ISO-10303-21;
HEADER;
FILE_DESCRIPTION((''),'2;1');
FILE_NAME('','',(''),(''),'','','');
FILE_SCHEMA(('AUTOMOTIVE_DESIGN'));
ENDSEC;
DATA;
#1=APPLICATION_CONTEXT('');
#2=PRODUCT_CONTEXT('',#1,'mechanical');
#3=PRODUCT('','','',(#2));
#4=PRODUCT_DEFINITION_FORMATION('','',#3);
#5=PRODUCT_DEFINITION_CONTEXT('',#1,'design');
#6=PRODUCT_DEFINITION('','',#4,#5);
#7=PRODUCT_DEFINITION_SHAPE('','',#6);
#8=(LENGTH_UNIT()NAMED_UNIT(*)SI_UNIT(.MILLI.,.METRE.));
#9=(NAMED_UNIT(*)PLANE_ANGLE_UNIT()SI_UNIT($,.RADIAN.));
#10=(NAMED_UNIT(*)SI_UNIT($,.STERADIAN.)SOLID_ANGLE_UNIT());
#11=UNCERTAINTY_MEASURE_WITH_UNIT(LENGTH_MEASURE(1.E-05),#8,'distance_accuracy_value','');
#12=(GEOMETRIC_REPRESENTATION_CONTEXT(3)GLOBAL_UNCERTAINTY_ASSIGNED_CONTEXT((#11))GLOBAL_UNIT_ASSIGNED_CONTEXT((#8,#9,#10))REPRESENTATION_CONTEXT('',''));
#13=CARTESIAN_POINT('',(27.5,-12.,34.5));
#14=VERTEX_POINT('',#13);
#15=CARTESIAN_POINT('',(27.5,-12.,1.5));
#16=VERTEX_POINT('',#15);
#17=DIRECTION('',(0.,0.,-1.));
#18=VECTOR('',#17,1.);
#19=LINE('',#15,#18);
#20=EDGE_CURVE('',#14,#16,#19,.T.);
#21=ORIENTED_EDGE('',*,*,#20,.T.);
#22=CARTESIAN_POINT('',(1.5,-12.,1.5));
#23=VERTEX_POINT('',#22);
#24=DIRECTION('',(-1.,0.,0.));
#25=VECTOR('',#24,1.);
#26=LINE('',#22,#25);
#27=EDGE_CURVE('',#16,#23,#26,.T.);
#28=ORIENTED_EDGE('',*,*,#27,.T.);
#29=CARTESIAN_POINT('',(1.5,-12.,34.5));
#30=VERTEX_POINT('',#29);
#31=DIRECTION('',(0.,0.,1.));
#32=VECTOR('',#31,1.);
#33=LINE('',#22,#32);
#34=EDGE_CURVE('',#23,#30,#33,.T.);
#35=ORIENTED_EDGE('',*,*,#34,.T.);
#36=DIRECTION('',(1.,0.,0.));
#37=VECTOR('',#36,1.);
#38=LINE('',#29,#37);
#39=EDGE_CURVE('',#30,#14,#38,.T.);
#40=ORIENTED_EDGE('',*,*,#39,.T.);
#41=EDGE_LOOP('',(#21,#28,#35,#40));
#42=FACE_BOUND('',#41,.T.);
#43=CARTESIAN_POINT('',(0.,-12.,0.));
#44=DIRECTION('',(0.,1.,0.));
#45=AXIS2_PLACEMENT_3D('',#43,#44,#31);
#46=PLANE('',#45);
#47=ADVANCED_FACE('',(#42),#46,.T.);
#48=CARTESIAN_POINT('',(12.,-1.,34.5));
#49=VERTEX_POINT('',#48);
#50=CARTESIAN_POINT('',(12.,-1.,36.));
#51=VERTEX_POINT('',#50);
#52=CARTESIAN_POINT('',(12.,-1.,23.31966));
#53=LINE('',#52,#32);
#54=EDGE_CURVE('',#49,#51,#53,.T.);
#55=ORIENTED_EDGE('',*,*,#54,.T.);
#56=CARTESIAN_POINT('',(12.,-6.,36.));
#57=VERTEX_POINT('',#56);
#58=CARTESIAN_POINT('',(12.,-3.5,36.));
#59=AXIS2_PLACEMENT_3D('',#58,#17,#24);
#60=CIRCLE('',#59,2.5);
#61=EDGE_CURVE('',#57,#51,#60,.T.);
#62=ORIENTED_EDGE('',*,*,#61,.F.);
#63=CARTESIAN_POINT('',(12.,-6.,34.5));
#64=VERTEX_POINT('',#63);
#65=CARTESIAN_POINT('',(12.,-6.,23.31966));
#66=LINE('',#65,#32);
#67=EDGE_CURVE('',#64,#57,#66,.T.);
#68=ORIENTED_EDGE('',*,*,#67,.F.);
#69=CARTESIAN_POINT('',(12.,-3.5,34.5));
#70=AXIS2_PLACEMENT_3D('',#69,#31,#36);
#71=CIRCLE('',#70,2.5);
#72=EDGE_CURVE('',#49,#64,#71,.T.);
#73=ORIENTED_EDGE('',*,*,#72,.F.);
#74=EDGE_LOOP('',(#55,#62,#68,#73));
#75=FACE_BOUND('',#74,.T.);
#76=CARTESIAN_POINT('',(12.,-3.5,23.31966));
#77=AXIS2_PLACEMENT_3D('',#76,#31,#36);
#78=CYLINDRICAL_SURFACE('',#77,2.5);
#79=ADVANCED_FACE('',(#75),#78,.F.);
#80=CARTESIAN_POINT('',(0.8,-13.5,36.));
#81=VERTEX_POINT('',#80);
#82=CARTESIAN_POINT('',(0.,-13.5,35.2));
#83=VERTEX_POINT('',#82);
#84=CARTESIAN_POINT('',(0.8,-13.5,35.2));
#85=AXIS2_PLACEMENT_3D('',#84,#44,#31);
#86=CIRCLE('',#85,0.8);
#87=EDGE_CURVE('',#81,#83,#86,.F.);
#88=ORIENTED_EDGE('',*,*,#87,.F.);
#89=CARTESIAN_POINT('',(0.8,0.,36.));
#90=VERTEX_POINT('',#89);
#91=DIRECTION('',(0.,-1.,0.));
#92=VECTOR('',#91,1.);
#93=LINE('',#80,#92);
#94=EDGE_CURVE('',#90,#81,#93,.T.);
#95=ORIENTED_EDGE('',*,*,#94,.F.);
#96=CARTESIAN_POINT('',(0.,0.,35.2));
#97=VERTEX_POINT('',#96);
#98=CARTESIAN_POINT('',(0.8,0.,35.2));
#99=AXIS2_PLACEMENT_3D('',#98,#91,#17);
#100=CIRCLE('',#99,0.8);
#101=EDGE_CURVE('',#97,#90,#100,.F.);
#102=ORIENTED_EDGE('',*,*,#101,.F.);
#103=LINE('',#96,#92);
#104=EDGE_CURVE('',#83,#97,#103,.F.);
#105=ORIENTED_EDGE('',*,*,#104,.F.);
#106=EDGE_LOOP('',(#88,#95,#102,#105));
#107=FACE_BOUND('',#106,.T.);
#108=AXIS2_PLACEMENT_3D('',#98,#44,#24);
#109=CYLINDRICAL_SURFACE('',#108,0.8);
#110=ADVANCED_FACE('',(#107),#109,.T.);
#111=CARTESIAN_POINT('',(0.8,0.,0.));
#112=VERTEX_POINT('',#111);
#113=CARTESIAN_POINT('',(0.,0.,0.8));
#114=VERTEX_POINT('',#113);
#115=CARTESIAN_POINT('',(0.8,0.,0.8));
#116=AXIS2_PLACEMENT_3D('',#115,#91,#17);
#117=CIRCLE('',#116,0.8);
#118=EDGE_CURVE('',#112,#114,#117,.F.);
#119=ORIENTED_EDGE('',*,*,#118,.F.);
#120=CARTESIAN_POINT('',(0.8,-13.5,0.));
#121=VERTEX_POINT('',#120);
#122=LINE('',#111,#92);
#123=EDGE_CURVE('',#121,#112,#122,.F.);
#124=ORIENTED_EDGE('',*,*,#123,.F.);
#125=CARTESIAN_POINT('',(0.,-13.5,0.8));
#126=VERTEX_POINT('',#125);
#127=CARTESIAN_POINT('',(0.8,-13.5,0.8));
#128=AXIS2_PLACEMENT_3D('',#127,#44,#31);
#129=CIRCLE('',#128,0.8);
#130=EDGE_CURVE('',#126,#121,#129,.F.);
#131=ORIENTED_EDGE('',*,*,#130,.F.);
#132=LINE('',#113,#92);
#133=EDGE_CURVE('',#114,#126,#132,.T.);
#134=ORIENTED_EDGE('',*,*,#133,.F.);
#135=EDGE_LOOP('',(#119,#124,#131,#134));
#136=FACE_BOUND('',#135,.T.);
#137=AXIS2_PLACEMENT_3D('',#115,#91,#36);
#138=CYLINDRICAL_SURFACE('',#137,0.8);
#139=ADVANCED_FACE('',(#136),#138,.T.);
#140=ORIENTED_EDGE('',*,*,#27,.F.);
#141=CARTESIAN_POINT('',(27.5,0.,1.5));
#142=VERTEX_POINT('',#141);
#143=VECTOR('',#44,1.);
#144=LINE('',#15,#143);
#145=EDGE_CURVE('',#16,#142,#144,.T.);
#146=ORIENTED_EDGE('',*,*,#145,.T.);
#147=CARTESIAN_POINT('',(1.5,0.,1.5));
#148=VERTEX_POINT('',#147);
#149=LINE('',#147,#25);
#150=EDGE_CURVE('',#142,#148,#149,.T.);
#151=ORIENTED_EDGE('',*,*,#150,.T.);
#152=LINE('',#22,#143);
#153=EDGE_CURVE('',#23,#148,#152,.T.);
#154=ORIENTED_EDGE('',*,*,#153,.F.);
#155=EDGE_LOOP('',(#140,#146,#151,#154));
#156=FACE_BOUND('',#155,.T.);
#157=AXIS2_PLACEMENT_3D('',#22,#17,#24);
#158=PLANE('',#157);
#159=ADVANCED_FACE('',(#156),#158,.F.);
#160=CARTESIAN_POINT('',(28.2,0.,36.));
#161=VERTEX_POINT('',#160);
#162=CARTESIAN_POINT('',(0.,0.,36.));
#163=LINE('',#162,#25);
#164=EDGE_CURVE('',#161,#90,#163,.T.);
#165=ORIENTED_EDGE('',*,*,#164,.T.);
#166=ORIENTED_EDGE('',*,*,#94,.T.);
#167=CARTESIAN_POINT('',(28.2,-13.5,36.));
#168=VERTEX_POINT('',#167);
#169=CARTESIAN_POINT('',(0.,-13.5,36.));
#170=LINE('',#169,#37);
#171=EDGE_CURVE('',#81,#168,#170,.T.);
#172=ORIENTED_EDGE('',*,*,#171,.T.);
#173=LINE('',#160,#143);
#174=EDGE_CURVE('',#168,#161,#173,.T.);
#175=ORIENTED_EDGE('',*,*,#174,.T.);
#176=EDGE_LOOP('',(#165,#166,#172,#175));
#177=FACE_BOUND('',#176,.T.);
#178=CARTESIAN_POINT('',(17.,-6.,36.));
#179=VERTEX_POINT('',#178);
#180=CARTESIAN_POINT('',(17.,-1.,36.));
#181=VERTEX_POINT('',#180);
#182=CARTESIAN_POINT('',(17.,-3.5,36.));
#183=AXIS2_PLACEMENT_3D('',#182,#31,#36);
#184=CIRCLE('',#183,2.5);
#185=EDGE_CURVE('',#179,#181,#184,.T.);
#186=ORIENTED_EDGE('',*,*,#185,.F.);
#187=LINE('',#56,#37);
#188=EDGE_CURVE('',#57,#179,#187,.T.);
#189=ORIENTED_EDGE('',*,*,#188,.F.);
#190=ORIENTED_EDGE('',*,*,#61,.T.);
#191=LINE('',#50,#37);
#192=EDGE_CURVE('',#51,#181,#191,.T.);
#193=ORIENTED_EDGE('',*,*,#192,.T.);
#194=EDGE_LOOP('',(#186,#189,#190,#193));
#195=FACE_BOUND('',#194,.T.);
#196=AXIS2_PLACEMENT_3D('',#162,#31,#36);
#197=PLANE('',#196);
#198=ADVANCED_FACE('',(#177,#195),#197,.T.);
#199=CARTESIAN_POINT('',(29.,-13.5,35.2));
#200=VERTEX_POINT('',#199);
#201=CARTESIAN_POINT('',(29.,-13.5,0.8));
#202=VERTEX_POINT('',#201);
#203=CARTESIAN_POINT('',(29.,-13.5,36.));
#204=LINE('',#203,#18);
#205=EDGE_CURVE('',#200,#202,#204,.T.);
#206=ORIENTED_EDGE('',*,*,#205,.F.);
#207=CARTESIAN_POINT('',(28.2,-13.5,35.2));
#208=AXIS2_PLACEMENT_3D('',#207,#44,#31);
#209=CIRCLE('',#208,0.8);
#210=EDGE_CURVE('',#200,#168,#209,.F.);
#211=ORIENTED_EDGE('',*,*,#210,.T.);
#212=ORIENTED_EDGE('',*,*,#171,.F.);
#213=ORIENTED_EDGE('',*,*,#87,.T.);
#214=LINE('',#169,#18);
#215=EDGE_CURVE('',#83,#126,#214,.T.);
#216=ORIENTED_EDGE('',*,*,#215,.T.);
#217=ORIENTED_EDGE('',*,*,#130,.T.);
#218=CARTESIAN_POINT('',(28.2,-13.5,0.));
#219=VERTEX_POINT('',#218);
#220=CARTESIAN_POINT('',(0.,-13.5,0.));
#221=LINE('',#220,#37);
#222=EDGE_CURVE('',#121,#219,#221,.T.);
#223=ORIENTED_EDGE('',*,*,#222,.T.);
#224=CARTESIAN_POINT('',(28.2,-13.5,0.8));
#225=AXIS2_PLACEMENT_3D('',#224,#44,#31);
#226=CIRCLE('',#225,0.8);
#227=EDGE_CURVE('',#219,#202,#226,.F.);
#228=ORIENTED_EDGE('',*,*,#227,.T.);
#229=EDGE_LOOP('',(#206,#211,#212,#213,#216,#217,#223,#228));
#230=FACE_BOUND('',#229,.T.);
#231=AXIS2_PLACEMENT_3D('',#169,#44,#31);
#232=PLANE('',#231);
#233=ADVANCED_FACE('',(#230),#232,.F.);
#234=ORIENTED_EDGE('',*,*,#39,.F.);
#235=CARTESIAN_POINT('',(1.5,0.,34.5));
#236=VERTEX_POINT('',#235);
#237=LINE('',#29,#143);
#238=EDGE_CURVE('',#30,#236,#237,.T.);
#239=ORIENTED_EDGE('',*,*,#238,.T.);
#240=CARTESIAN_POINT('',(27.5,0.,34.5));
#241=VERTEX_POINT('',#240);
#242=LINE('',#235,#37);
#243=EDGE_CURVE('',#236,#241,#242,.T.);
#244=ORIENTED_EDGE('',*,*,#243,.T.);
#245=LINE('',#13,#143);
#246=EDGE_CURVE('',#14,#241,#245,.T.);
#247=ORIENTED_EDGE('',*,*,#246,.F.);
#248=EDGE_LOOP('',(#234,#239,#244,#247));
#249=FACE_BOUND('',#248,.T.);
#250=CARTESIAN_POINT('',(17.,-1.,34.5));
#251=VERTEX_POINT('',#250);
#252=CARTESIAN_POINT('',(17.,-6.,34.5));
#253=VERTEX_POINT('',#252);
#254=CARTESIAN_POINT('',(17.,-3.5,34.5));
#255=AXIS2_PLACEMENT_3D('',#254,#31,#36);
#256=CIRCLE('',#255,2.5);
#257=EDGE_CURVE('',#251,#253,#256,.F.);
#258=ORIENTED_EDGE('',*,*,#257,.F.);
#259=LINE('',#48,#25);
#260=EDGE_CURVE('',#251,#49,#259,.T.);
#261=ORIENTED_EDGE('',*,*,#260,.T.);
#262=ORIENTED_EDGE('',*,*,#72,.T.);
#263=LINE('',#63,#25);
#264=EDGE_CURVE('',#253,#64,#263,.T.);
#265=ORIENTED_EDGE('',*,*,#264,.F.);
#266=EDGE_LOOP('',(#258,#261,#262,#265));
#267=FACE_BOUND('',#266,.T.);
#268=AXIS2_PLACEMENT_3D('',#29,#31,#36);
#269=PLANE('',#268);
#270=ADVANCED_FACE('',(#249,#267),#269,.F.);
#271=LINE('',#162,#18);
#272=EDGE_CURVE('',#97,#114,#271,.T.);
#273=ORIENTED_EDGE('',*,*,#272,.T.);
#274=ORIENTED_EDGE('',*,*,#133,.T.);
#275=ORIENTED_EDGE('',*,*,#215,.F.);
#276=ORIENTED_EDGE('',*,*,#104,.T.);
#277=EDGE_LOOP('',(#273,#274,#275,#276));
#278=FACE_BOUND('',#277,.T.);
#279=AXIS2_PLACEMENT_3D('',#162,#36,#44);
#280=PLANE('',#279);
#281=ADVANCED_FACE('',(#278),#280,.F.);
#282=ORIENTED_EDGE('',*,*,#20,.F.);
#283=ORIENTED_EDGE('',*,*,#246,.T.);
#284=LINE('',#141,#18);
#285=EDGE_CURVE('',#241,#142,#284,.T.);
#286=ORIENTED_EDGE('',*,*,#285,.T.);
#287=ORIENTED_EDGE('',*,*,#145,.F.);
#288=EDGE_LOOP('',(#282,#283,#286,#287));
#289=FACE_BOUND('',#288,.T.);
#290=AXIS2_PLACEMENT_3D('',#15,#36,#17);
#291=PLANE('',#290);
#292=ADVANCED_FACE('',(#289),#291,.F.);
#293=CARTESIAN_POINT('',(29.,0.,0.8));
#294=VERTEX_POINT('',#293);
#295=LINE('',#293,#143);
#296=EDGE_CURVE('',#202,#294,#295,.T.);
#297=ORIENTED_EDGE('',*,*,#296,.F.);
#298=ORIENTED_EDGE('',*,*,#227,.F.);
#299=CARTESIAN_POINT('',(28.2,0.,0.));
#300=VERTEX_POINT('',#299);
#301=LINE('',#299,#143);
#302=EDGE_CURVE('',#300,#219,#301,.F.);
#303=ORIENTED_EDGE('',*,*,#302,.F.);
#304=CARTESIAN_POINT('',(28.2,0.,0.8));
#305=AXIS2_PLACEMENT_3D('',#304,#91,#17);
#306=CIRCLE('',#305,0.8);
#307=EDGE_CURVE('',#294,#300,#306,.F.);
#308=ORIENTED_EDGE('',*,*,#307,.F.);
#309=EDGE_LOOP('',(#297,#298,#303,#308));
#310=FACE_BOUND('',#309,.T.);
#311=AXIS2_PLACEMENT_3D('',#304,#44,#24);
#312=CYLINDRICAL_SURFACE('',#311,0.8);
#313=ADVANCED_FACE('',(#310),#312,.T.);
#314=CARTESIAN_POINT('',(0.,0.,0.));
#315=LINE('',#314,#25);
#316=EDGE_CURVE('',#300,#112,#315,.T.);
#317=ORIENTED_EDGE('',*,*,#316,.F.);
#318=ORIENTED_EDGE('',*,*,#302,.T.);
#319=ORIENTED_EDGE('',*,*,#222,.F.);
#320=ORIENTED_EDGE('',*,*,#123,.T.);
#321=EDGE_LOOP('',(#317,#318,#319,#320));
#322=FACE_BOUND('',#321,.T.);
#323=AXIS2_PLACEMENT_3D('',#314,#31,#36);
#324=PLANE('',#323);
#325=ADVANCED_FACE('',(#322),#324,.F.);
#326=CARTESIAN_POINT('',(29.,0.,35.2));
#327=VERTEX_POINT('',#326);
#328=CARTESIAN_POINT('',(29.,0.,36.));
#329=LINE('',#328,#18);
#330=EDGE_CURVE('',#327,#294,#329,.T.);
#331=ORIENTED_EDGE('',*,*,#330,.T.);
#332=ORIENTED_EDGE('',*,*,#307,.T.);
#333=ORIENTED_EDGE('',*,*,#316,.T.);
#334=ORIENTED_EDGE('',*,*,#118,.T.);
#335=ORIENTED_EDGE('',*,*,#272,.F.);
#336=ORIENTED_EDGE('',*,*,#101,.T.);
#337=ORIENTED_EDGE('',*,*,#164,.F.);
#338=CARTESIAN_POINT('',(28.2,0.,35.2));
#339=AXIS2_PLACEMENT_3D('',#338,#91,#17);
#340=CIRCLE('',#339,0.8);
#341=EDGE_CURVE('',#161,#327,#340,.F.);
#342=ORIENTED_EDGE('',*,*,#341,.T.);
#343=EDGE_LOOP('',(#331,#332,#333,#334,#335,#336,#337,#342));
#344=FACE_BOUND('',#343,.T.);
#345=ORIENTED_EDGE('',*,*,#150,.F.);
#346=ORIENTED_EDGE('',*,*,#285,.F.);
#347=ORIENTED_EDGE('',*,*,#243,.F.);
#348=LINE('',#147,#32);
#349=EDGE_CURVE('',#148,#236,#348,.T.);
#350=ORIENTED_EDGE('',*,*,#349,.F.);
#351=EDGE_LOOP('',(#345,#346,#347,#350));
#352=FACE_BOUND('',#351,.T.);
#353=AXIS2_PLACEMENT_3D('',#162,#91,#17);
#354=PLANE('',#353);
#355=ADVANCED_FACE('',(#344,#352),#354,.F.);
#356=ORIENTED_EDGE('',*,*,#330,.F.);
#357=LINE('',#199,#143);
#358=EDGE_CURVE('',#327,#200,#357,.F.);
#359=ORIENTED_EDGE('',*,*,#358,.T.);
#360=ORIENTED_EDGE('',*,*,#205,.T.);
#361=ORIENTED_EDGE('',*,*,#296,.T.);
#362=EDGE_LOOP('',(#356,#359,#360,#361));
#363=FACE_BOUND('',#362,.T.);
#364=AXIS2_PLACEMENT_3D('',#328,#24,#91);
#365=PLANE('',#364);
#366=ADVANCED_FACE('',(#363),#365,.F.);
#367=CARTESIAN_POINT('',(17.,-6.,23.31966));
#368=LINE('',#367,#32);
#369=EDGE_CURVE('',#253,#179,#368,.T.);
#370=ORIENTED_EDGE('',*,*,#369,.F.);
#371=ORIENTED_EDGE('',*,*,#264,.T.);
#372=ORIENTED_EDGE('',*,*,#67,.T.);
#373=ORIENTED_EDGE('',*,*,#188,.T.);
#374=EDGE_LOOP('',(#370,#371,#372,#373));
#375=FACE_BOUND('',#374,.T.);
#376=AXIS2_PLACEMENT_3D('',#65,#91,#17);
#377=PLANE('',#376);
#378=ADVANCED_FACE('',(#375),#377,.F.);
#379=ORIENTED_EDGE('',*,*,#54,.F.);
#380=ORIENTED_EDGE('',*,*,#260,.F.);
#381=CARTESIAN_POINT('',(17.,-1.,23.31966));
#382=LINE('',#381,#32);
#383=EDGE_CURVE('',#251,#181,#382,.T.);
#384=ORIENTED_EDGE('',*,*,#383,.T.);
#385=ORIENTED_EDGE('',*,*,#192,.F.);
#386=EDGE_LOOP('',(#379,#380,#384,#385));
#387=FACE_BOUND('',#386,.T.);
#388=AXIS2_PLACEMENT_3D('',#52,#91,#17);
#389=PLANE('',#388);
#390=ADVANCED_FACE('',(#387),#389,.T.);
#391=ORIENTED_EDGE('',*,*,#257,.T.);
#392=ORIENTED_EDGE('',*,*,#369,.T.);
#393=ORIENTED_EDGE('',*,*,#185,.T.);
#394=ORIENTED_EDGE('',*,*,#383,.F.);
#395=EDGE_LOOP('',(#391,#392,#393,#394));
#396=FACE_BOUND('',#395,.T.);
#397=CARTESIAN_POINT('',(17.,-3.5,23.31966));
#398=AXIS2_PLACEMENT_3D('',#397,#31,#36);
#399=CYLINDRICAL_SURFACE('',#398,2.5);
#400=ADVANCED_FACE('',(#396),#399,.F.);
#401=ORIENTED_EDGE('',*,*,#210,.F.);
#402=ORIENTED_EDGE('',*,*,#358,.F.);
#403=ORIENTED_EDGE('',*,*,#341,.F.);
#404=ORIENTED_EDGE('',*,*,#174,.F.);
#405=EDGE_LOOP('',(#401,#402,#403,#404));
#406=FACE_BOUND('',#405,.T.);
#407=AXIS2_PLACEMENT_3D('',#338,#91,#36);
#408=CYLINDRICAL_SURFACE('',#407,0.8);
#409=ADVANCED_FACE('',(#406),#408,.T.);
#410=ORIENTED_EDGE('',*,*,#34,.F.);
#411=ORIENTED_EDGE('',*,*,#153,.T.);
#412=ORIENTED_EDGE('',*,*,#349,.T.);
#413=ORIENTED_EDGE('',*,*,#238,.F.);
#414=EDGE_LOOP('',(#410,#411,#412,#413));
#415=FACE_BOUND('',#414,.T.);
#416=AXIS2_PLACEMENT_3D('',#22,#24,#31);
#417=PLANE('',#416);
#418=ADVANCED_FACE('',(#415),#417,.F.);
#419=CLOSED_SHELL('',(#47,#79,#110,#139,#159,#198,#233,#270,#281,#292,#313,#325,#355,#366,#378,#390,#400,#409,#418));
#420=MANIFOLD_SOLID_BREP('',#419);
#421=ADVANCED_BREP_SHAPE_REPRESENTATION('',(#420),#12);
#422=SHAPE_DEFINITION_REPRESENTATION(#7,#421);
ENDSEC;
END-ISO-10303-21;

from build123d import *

# Parameters (mm, degrees)
SKETCH1_W           = 29
SKETCH1_H           = 13.5
BOSS_EXTRUDE1_DEPTH = 36
SKETCH2_W           = 26
SKETCH2_H           = 33
CUT_EXTRUDE1_DEPTH  = 12
CUT_EXTRUDE2_DEPTH  = 1.5
FILLET1_R           = 0.8


with BuildPart() as part:
    # Sketch1 → Boss-Extrude1 (new body)
    with BuildSketch(Plane.XY):
        with Locations((14.5, -6.75)):
            Rectangle(SKETCH1_W, SKETCH1_H)
    extrude(amount=BOSS_EXTRUDE1_DEPTH)

    # Sketch2 → Cut-Extrude1 (cut)
    with BuildSketch(Plane(origin=(0, 0, 0), x_dir=(1, 0, 0), z_dir=(0, 1, 0))):
        with Locations((14.5, -18)):
            Rectangle(SKETCH2_W, SKETCH2_H)
    extrude(amount=-CUT_EXTRUDE1_DEPTH, mode=Mode.SUBTRACT)

    # Sketch3 → Cut-Extrude2 (cut)
    with BuildSketch(Plane.XY.offset(36)):
        with BuildLine():
            Line((12, -1), (17, -1))
            ThreePointArc((17, -1), (19.5, -3.5), (17, -6))
            Line((17, -6), (12, -6))
            ThreePointArc((12, -6), (9.5, -3.5), (12, -1))
        make_face()
    extrude(amount=-CUT_EXTRUDE2_DEPTH, mode=Mode.SUBTRACT)

    # Fillet1
    fillet1_edges = [part.edges().sort_by_distance(p)[0] for p in [
        (29, -6.75, 36),
        (0, -6.75, 36),
        (29, -6.75, 0),
        (0, -6.75, 0),
    ]]
    fillet(fillet1_edges, radius=FILLET1_R)


solid = part.part
